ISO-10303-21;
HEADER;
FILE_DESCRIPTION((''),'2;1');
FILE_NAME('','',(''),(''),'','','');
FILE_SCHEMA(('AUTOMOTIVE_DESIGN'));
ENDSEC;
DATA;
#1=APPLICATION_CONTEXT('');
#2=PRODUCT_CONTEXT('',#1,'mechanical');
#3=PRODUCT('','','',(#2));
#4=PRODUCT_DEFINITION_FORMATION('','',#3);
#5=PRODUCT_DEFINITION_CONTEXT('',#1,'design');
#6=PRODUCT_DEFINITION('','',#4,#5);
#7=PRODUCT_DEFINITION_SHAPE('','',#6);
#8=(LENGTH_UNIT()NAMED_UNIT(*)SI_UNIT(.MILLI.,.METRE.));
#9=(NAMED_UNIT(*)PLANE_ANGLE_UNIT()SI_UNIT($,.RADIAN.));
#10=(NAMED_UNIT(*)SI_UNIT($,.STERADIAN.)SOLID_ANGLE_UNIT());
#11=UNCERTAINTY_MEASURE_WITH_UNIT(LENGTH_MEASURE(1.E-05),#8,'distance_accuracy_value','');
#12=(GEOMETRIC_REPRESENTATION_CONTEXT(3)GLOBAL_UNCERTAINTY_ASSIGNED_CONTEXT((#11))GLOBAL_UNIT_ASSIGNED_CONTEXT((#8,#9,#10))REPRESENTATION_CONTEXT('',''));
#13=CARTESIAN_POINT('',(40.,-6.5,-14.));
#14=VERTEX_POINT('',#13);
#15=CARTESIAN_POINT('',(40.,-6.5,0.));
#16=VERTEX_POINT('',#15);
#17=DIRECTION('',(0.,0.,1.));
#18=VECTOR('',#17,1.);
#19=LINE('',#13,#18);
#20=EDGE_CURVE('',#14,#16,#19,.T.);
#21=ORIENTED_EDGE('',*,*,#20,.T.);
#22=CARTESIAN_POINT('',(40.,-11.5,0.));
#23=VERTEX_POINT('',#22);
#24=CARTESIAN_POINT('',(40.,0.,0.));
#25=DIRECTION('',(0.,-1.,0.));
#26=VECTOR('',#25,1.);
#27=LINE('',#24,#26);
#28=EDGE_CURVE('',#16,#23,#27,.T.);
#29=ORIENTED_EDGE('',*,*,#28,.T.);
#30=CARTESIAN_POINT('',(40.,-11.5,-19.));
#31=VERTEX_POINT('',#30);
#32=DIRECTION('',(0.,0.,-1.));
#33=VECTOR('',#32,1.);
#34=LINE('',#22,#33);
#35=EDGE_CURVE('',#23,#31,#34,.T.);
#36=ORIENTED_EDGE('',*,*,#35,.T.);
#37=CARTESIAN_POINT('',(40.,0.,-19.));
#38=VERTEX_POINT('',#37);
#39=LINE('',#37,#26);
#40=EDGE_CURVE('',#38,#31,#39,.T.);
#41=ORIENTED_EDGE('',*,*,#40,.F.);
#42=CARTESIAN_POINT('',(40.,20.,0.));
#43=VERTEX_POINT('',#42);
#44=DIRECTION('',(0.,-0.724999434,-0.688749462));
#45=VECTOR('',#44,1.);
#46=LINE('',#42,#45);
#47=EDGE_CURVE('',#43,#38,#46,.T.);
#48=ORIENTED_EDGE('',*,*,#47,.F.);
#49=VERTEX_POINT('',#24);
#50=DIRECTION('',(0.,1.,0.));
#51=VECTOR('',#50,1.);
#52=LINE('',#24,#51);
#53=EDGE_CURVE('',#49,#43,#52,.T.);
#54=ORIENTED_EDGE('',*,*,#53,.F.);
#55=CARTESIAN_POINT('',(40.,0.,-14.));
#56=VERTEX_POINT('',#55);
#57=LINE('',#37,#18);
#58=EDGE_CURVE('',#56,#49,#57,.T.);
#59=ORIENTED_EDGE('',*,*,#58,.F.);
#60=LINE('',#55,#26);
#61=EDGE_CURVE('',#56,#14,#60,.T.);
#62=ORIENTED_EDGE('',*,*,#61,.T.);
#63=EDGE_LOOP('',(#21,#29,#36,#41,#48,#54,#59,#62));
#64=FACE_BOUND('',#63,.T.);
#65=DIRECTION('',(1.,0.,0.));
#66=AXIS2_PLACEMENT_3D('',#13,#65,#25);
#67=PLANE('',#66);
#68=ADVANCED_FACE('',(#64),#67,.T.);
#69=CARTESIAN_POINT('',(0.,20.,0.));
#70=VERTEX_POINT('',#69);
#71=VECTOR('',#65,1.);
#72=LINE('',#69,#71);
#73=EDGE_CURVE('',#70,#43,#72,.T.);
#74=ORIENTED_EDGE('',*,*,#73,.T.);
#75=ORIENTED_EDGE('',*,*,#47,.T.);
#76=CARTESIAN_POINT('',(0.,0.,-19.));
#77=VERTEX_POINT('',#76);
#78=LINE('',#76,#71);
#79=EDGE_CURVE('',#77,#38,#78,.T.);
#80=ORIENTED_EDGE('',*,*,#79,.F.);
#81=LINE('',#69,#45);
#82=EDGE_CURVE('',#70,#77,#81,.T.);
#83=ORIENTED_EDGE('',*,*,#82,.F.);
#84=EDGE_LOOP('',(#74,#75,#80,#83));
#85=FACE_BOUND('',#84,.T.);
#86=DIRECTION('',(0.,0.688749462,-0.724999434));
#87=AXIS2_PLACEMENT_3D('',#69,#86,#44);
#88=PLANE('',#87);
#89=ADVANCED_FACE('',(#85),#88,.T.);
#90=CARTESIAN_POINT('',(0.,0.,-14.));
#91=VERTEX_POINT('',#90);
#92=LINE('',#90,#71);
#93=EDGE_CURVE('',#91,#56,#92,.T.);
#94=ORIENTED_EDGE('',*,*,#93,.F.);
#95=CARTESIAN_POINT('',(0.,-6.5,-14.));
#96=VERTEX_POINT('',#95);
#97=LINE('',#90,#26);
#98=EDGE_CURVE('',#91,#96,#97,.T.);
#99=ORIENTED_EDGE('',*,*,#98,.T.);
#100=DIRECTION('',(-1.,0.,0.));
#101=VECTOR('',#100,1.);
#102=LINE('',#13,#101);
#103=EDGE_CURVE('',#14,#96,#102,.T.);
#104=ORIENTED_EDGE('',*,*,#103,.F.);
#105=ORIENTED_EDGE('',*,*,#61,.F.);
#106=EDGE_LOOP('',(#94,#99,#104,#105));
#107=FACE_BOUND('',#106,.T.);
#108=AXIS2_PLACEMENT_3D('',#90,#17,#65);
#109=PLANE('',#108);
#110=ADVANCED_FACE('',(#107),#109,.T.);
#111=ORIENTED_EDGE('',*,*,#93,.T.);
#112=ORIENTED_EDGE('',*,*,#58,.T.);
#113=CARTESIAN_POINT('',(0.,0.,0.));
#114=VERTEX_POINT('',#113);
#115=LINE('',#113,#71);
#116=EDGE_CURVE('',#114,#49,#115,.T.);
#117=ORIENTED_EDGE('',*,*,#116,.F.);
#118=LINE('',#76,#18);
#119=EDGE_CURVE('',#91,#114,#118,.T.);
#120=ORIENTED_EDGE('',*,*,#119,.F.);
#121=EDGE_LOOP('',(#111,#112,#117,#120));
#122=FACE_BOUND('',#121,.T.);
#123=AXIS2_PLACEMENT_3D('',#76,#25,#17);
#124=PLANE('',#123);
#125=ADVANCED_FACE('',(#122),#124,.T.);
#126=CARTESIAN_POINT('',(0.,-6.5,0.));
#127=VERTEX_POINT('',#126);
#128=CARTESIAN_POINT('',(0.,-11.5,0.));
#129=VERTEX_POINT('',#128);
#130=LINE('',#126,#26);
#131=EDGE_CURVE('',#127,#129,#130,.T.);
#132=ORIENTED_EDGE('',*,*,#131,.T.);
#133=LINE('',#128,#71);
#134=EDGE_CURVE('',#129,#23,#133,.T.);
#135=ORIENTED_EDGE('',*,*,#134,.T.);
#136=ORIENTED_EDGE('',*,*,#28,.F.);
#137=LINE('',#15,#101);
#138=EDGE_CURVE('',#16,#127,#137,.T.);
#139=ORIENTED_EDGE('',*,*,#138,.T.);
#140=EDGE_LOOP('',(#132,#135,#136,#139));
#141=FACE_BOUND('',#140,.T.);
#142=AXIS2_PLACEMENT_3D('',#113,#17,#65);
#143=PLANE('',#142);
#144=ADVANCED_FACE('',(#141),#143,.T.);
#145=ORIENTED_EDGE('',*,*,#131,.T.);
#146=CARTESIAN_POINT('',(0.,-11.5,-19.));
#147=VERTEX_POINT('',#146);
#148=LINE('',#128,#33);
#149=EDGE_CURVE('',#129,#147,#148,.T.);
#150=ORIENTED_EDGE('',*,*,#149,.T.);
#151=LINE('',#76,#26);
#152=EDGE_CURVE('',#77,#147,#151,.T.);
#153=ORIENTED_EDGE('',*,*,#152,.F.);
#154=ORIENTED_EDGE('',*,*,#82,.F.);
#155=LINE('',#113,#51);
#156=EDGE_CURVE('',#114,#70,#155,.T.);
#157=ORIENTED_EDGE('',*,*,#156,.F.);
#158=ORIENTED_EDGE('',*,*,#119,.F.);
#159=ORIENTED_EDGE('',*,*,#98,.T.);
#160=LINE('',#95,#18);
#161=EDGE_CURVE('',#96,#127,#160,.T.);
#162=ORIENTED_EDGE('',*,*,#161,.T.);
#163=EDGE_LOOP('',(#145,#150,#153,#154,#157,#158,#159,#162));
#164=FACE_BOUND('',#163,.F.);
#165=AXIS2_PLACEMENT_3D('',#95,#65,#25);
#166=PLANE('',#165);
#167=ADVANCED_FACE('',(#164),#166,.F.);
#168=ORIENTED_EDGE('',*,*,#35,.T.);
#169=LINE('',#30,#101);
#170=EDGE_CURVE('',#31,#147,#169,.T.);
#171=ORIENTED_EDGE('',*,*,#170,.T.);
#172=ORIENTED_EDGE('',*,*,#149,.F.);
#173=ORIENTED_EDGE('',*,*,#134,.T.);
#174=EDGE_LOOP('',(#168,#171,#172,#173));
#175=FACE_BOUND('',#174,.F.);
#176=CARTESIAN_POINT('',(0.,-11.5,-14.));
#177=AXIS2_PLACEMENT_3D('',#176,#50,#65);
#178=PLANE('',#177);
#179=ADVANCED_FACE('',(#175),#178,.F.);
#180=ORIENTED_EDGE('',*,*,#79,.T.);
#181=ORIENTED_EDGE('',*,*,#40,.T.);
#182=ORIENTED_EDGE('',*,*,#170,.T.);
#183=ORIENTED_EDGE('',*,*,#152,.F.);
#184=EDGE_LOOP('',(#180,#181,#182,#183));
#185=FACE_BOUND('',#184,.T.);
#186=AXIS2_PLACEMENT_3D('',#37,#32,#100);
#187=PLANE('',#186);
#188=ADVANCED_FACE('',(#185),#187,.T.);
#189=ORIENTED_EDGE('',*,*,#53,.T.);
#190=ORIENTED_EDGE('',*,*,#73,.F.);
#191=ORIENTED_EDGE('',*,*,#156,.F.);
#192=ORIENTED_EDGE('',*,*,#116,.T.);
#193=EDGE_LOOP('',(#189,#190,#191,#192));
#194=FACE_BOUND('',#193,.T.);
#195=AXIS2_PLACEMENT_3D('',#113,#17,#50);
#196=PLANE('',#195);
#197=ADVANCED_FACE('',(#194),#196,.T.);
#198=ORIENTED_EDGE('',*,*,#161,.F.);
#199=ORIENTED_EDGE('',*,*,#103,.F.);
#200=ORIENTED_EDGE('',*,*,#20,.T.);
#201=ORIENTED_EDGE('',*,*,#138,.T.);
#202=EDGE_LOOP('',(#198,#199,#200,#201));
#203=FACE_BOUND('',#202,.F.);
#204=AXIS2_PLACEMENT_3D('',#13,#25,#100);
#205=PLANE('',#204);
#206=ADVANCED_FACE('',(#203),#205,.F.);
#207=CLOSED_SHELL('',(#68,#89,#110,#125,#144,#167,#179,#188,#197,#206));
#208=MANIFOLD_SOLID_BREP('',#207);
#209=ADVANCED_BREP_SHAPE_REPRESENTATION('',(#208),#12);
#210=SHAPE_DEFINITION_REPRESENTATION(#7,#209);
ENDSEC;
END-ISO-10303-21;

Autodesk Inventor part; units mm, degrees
ref_plane "YZ Plane" through (0, 0, 0) normal (1, 0, 0) x (0, 1, 0)
ref_plane "XZ Plane" through (0, 0, 0) normal (0, 1, 0) x (-1, 0, 0)
ref_plane "XY Plane" through (0, 0, 0) normal (0, 0, 1) x (1, 0, 0)
sketch "Sketch1" plane through (0, 0, 0) normal (1, 0, 0) x (0, 1, 0)
  line L0 (0, 0) -> (20, 0)
  line L1 (20, 0) -> (0, -19)
  line L2 (0, -19) -> (0, 0)
  dimension "d0" = 20
  dimension "d1" = 19
extrude "Extrusion1" add sketch "Sketch1" along normal blind 40
sketch "Sketch2" plane through (0, 0, -19) normal (0, -1, 0) x (1, 0, 0)
  line L0 (40, 19) -> (40, 0) projected
  line L1 (40, 0) -> (0, 0)
  line L2 (0, 0) -> (0, 5)
  line L3 (0, 5) -> (40, 5)
  line L4 (40, 5) -> (40, 0)
  point P0 (0, 19)
  dimension "d4" = 5
extrude "Extrusion2" add sketch "Sketch2" along normal blind 11.5
sketch "Sketch3" plane through (0, 0, -14) normal (0, 0, 1) x (1, 0, 0)
  line L0 (40, 0) -> (40, -11.5) projected
  line L1 (0, -11.5) -> (40, -11.5)
  line L2 (40, -11.5) -> (40, -6.5)
  line L3 (40, -6.5) -> (0, -6.5)
  line L4 (0, -6.5) -> (0, -11.5)
  point P0 (0, 0)
  dimension "d7" = 5
extrude "Extrusion3" add sketch "Sketch3" along normal blind 14
properties part number "Ooze_Ramp_Bottom"
